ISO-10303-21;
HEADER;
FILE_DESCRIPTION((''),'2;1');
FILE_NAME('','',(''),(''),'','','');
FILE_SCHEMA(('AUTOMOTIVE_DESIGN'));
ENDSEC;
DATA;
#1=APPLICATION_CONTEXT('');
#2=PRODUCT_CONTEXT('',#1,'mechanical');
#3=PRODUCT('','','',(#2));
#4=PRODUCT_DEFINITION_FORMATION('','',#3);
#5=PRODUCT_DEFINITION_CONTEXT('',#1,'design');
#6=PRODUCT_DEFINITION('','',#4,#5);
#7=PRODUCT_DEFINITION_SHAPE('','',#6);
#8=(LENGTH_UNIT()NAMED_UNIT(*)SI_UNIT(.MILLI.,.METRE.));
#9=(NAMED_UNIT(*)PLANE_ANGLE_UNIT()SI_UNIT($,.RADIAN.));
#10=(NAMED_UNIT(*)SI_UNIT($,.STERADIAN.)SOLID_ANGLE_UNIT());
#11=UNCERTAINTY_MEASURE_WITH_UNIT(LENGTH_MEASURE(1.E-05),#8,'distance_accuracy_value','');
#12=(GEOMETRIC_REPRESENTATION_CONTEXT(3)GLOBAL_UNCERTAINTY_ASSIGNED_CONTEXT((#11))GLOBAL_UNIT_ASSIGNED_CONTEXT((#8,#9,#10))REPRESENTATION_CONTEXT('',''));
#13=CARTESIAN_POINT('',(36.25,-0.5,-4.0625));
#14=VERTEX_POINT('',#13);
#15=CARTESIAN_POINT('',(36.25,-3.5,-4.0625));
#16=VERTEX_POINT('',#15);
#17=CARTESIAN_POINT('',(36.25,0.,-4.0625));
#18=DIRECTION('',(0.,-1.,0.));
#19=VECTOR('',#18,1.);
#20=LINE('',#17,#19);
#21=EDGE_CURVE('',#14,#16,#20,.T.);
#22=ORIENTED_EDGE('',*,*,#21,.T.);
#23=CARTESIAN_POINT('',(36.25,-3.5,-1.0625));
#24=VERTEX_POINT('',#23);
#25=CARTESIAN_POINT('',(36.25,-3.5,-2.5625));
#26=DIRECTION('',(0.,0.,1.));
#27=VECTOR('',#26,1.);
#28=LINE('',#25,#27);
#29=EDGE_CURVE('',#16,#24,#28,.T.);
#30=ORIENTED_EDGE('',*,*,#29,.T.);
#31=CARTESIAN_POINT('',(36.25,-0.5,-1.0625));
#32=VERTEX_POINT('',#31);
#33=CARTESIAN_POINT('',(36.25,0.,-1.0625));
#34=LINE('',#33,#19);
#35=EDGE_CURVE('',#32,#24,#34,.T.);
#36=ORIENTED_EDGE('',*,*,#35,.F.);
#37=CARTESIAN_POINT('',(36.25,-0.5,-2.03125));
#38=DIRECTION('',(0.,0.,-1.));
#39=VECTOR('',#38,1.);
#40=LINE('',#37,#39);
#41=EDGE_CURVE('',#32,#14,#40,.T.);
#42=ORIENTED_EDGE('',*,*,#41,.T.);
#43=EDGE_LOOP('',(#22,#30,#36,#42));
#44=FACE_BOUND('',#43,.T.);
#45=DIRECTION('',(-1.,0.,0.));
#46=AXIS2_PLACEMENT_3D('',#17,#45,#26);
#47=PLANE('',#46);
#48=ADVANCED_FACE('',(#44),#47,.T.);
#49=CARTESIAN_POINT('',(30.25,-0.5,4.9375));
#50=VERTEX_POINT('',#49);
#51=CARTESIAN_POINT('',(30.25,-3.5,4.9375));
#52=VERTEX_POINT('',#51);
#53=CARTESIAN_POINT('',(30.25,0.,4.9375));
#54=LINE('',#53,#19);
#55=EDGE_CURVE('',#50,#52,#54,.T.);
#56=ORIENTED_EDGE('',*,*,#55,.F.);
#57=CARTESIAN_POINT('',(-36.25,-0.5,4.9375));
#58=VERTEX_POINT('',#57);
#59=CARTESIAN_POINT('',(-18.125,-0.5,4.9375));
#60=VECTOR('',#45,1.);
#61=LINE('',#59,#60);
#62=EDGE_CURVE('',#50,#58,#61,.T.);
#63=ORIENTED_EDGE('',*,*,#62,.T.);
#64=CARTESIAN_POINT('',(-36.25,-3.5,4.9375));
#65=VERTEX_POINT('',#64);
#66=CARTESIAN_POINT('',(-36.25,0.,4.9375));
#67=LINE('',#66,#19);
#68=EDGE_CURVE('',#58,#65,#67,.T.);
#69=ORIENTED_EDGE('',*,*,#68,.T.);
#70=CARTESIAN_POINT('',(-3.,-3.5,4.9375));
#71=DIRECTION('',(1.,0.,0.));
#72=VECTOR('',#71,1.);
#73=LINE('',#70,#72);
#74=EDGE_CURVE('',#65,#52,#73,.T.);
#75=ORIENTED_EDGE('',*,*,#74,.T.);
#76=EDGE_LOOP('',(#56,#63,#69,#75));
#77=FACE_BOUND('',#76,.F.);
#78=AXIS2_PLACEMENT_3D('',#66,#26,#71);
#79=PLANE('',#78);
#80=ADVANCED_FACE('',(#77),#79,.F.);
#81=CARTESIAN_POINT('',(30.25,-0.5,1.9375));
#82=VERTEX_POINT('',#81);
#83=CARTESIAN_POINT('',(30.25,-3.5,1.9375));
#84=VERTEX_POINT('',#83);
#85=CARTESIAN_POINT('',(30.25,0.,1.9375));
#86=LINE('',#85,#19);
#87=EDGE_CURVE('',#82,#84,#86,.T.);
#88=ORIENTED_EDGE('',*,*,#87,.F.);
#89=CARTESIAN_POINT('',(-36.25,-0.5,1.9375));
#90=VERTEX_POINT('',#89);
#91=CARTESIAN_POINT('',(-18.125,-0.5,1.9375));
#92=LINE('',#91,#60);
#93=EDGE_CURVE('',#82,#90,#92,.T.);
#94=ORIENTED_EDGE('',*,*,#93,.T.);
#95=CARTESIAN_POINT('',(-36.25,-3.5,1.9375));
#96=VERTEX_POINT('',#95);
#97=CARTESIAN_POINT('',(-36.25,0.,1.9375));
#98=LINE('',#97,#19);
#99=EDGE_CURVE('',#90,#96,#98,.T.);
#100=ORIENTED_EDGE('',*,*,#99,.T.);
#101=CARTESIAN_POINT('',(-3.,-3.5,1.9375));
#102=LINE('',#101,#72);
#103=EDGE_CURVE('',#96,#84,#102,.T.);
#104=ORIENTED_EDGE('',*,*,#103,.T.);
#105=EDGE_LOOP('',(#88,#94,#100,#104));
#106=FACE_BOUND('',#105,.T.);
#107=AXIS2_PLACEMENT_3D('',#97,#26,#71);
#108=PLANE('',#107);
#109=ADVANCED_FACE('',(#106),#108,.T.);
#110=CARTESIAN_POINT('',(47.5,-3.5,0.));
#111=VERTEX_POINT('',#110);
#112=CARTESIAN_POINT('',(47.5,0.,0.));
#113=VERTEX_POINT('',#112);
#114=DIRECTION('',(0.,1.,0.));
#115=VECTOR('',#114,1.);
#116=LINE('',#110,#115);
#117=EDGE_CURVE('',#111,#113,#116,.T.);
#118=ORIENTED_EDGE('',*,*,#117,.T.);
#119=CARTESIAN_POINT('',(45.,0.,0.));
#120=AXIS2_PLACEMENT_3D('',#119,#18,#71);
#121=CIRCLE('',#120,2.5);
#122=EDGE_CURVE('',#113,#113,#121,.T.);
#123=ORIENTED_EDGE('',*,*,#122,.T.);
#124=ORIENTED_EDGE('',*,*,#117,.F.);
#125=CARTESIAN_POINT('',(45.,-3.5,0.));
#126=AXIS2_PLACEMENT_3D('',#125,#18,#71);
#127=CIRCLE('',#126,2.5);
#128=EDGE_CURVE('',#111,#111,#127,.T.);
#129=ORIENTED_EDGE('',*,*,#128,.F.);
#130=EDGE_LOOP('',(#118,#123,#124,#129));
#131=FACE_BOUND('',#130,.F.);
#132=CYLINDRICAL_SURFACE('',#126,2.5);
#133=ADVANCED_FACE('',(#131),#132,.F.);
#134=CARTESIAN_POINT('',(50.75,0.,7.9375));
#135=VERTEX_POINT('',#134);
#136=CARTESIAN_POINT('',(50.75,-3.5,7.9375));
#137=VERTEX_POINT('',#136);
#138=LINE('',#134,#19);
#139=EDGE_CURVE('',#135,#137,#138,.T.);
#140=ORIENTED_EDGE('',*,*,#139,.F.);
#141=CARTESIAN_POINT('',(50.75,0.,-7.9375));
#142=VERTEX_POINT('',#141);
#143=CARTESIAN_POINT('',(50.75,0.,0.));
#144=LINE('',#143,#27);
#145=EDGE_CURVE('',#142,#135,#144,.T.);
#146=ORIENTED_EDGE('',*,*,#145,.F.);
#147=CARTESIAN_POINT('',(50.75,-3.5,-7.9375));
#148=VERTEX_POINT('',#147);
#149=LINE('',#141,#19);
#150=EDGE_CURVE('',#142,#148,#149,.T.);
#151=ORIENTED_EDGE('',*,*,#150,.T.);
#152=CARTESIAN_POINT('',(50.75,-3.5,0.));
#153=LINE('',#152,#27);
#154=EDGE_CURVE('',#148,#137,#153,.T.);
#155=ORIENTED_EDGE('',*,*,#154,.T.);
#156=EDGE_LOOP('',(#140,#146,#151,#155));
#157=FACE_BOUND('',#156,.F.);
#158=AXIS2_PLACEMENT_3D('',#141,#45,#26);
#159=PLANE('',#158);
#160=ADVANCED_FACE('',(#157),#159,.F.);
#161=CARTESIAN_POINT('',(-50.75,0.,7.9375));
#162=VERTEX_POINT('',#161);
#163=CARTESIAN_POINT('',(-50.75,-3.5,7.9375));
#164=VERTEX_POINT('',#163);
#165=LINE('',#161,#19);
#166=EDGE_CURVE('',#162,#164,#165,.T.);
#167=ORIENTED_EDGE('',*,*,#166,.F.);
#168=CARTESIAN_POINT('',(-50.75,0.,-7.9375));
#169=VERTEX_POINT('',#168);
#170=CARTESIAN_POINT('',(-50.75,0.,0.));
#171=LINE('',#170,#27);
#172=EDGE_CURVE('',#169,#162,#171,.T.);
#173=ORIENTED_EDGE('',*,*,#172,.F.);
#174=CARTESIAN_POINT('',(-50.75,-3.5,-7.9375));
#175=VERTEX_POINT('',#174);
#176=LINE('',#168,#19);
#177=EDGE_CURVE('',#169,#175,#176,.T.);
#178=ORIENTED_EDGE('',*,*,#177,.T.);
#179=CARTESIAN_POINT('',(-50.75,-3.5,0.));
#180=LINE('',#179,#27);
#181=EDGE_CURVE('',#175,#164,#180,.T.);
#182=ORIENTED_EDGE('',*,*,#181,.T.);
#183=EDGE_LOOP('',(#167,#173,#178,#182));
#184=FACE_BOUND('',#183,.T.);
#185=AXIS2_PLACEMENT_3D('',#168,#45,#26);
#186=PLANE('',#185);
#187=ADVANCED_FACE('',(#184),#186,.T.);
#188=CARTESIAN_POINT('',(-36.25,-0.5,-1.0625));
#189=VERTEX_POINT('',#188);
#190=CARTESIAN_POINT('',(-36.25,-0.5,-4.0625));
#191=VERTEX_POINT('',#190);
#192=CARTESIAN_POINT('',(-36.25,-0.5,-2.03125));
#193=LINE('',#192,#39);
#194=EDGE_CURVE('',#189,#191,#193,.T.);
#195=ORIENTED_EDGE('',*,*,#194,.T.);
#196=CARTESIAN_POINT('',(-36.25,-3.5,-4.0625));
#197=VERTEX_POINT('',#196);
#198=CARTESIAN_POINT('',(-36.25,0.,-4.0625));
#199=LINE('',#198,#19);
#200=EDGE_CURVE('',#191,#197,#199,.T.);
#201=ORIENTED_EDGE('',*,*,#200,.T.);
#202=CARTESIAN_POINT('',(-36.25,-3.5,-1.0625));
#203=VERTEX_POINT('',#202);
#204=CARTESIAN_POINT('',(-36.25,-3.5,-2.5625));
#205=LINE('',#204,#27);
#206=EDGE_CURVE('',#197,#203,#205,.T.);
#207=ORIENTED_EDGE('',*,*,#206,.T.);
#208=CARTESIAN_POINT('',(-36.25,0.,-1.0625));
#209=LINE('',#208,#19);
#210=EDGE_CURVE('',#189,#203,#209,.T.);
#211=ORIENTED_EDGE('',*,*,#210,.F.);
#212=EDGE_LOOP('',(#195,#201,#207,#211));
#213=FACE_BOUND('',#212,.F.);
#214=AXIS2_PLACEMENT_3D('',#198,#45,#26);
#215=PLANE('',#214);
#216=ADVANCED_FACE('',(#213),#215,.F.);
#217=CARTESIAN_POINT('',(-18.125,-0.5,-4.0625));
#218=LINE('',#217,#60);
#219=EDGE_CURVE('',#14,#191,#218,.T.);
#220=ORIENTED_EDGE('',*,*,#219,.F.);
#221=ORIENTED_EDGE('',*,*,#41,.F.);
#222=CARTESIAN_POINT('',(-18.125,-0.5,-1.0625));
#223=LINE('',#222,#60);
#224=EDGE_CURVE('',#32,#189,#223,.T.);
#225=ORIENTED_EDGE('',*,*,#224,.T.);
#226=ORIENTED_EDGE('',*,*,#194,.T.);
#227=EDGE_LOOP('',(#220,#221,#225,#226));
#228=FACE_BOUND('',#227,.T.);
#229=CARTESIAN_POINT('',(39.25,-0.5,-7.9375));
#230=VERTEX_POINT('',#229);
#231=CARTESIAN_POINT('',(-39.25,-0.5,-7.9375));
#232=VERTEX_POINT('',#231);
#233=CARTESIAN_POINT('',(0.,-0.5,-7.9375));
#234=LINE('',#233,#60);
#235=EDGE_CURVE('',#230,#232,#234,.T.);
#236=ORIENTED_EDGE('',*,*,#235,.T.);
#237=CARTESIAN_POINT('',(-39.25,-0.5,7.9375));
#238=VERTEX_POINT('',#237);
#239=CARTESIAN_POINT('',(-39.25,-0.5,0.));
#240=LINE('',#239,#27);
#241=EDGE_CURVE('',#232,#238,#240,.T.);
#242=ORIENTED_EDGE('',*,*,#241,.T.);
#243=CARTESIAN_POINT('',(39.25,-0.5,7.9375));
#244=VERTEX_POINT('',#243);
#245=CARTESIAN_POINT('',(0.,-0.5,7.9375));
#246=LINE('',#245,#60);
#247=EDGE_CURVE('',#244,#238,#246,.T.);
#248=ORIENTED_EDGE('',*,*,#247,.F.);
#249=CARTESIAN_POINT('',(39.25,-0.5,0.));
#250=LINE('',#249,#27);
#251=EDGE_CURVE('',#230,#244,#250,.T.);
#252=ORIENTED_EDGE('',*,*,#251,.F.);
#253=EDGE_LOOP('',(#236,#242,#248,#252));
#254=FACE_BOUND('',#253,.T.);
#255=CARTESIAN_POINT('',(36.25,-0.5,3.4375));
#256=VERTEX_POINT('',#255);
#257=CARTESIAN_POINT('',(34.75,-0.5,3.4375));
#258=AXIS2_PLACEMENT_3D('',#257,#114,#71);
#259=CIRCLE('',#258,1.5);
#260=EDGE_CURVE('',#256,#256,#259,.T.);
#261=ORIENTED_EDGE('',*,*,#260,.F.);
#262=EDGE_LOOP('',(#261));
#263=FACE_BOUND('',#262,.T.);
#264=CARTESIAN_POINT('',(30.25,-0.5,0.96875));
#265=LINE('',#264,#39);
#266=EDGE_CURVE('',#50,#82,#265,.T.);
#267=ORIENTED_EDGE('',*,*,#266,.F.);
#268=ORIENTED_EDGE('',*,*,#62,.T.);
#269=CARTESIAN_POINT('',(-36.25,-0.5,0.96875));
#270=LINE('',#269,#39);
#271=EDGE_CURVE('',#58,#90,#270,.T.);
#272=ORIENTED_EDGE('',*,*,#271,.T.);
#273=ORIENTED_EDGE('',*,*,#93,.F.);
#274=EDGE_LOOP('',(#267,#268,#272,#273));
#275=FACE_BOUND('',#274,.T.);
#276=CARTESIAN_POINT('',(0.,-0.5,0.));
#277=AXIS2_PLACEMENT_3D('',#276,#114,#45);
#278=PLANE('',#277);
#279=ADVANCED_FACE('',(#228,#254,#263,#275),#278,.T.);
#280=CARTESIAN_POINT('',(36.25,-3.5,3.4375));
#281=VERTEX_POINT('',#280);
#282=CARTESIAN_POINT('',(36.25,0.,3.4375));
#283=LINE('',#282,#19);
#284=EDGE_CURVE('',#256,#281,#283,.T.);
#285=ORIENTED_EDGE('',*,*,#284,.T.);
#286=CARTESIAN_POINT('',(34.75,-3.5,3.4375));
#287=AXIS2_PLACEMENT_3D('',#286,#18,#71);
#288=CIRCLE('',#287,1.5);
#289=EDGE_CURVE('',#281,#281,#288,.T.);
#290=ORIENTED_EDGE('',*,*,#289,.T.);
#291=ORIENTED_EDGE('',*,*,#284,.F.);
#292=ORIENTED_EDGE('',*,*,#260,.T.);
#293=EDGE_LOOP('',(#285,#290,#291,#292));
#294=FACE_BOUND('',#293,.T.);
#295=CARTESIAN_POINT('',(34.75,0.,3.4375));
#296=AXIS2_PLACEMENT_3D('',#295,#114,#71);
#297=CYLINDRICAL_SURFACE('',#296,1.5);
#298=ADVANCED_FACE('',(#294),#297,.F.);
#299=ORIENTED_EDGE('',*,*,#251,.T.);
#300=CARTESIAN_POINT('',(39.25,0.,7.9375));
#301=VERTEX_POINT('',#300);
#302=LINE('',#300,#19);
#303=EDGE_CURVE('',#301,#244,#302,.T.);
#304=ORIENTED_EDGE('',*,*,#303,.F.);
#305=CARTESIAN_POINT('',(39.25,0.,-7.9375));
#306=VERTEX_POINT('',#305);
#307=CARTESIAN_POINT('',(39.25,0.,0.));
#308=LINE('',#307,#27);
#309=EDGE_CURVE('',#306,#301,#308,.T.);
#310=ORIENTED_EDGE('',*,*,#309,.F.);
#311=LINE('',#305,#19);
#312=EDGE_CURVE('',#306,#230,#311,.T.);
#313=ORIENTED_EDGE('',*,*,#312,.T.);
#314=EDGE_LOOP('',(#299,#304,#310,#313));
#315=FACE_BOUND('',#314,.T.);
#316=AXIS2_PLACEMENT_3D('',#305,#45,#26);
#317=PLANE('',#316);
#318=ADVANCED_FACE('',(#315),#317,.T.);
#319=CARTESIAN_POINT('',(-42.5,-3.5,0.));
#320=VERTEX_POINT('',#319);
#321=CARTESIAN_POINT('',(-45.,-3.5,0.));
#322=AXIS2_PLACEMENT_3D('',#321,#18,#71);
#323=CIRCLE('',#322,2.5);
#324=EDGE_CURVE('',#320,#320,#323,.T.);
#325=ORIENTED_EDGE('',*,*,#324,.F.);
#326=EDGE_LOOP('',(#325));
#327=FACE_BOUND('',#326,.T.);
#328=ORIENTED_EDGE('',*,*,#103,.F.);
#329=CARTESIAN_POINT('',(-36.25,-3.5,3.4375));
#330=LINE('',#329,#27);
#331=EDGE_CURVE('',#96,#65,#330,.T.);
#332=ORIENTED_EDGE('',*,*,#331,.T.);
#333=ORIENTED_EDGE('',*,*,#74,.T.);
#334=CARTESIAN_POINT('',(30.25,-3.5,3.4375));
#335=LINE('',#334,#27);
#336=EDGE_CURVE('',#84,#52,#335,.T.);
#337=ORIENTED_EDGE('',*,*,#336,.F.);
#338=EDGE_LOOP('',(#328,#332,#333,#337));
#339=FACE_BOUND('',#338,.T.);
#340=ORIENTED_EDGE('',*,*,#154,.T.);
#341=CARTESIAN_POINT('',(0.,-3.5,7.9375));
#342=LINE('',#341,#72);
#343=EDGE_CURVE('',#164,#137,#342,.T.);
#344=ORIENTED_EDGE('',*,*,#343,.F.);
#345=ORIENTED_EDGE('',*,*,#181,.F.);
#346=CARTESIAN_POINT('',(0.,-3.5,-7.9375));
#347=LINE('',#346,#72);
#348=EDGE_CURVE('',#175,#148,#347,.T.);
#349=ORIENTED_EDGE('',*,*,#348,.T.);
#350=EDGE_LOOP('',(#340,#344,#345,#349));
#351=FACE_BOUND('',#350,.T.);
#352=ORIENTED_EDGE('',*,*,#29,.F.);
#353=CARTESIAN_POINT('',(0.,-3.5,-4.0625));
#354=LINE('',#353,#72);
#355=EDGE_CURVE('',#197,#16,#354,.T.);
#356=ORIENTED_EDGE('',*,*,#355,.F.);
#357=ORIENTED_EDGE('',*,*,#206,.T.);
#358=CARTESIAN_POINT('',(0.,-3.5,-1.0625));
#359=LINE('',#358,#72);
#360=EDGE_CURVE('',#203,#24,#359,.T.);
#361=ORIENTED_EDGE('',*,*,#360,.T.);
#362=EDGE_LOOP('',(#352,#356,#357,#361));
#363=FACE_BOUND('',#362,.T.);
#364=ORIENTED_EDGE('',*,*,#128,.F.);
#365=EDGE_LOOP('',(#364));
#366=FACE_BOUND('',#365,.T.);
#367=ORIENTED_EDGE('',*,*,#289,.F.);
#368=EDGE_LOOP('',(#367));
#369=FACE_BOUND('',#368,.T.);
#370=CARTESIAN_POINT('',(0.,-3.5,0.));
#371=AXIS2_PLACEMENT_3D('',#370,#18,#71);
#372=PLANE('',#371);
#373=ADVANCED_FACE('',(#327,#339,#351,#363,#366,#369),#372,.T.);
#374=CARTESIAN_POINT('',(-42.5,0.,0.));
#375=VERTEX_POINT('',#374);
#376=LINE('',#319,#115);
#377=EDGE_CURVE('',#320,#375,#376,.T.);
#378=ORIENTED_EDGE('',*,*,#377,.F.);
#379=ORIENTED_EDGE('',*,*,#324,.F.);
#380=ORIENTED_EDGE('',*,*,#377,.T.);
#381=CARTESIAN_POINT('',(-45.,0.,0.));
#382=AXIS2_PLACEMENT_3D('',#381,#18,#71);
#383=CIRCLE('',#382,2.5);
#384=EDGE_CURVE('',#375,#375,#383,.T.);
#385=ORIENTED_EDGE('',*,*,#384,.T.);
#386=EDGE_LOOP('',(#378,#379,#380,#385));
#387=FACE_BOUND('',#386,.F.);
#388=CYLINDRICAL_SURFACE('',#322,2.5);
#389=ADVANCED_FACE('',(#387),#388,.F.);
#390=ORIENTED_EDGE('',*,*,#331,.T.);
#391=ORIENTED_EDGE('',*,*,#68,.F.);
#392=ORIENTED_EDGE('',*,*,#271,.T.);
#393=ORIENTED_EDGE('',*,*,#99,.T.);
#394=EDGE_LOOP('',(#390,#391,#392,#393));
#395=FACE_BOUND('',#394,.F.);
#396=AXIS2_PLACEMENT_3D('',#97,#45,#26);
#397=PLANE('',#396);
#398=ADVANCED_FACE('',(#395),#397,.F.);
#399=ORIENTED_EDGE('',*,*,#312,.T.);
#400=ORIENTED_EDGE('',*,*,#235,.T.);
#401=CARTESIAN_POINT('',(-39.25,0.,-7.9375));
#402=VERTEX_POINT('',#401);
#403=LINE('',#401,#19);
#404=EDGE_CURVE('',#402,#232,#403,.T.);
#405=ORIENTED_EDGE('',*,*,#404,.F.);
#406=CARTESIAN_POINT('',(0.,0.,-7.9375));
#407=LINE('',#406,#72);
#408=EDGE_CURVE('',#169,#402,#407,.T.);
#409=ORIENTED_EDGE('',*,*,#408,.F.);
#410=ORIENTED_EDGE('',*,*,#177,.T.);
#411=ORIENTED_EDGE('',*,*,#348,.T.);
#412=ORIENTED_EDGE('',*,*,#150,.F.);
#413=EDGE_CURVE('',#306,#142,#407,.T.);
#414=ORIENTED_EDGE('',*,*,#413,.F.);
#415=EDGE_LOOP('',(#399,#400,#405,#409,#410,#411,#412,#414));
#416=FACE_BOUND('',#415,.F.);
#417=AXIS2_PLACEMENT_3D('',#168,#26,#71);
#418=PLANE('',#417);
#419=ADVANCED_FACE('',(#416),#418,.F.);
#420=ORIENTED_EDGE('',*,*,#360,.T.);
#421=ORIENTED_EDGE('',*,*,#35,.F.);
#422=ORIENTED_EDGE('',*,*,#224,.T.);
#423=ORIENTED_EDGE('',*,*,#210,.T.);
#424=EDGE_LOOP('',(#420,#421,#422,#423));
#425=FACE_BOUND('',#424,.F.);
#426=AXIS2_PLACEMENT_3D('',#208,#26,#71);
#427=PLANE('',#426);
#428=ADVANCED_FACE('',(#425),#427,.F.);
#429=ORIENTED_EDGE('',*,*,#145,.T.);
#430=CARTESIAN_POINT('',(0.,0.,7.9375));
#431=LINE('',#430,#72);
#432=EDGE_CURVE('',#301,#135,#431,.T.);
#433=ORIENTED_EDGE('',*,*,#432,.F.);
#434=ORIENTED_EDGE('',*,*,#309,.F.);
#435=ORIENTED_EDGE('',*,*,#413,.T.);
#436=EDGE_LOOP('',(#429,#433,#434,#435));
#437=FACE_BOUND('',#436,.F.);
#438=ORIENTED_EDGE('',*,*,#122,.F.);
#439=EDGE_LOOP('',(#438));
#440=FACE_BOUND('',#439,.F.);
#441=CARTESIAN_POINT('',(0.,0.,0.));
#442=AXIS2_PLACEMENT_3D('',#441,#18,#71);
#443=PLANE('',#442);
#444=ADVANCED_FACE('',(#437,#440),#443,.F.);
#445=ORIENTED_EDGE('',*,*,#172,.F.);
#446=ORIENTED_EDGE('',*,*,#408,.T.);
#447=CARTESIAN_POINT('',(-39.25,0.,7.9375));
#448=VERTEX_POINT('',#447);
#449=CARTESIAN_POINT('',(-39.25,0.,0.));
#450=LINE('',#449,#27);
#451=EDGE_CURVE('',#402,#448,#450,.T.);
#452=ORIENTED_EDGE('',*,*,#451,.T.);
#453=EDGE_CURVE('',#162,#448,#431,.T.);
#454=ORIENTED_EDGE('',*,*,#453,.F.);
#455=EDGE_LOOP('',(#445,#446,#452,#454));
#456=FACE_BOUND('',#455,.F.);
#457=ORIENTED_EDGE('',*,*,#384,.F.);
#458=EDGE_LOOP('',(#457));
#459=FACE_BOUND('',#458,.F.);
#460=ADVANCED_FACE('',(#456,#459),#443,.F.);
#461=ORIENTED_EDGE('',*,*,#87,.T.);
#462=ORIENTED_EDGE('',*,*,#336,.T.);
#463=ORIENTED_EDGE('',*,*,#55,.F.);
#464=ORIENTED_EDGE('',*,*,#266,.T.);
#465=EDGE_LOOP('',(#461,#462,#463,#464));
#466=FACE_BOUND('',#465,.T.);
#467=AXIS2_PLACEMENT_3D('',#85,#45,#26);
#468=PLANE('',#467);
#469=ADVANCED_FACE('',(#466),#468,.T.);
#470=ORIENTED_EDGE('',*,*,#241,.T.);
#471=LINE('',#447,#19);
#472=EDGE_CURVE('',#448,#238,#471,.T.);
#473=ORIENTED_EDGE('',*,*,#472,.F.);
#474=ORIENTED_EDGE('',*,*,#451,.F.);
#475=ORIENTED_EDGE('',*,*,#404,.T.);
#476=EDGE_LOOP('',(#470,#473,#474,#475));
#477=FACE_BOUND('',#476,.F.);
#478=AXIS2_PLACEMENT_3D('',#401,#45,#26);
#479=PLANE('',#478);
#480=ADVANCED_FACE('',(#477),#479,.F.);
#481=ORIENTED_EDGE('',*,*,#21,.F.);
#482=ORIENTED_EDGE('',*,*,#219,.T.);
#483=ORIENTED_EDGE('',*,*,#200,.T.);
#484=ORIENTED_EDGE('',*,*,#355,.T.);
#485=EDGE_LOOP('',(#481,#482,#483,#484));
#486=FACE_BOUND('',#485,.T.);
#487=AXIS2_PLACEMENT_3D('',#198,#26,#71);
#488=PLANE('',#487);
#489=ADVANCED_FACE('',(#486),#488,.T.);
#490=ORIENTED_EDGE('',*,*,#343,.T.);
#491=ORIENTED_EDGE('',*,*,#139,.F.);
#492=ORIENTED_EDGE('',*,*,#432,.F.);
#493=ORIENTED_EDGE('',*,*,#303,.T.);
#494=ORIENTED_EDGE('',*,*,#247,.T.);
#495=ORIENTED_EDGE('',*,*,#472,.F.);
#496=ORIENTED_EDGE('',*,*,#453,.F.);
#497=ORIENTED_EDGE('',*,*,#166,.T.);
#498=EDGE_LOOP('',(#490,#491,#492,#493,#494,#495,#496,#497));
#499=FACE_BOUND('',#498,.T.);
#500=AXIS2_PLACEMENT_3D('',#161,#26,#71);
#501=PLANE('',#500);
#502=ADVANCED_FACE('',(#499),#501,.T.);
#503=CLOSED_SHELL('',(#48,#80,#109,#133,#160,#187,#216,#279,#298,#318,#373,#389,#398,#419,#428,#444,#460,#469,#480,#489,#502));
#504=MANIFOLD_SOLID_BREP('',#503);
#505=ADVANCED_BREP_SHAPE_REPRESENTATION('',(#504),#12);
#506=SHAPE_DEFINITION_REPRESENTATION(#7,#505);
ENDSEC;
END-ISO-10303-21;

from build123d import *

# Parameters (mm, degrees)
F0_W     = 101.5
F0_H     = 15.875
F0_W_2   = 72.5
F0_H_2   = 3
F0_W_3   = 66.5
F0_R     = 1.5
F1_DEPTH = 3.5
F2_W     = 78.5
F2_H     = 15.875
F3_DEPTH = 0.5
F4_R     = 2.5
F5_DEPTH = 25


with BuildPart() as f1:
    # F0 (on Front) → F1 (new body)
    with BuildSketch(Plane.XZ):
        Rectangle(F0_W, F0_H)
        with Locations((0, -2.5625)):
            Rectangle(F0_W_2, F0_H_2, mode=Mode.SUBTRACT)
        with Locations((-3, 3.4375)):
            Rectangle(F0_W_3, F0_H_2, mode=Mode.SUBTRACT)
        with Locations((34.75, 3.4375)):
            Circle(F0_R, mode=Mode.SUBTRACT)
    extrude(amount=F1_DEPTH)

    # F2 (on face) → F3 (cut)
    with BuildSketch(Plane(origin=(0, 0, 0), x_dir=(-1, 0, 0), z_dir=(0, 1, 0))):
        Rectangle(F2_W, F2_H)
    extrude(amount=-F3_DEPTH, mode=Mode.SUBTRACT)

    # F4 (on face) → F5 (cut)
    with BuildSketch(Plane.XZ.offset(3.5)):
        with Locations((-45, 0)):
            Circle(F4_R)
        with Locations((45, 0)):
            Circle(F4_R)
    extrude(amount=-F5_DEPTH, mode=Mode.SUBTRACT)


solid = f1.part
